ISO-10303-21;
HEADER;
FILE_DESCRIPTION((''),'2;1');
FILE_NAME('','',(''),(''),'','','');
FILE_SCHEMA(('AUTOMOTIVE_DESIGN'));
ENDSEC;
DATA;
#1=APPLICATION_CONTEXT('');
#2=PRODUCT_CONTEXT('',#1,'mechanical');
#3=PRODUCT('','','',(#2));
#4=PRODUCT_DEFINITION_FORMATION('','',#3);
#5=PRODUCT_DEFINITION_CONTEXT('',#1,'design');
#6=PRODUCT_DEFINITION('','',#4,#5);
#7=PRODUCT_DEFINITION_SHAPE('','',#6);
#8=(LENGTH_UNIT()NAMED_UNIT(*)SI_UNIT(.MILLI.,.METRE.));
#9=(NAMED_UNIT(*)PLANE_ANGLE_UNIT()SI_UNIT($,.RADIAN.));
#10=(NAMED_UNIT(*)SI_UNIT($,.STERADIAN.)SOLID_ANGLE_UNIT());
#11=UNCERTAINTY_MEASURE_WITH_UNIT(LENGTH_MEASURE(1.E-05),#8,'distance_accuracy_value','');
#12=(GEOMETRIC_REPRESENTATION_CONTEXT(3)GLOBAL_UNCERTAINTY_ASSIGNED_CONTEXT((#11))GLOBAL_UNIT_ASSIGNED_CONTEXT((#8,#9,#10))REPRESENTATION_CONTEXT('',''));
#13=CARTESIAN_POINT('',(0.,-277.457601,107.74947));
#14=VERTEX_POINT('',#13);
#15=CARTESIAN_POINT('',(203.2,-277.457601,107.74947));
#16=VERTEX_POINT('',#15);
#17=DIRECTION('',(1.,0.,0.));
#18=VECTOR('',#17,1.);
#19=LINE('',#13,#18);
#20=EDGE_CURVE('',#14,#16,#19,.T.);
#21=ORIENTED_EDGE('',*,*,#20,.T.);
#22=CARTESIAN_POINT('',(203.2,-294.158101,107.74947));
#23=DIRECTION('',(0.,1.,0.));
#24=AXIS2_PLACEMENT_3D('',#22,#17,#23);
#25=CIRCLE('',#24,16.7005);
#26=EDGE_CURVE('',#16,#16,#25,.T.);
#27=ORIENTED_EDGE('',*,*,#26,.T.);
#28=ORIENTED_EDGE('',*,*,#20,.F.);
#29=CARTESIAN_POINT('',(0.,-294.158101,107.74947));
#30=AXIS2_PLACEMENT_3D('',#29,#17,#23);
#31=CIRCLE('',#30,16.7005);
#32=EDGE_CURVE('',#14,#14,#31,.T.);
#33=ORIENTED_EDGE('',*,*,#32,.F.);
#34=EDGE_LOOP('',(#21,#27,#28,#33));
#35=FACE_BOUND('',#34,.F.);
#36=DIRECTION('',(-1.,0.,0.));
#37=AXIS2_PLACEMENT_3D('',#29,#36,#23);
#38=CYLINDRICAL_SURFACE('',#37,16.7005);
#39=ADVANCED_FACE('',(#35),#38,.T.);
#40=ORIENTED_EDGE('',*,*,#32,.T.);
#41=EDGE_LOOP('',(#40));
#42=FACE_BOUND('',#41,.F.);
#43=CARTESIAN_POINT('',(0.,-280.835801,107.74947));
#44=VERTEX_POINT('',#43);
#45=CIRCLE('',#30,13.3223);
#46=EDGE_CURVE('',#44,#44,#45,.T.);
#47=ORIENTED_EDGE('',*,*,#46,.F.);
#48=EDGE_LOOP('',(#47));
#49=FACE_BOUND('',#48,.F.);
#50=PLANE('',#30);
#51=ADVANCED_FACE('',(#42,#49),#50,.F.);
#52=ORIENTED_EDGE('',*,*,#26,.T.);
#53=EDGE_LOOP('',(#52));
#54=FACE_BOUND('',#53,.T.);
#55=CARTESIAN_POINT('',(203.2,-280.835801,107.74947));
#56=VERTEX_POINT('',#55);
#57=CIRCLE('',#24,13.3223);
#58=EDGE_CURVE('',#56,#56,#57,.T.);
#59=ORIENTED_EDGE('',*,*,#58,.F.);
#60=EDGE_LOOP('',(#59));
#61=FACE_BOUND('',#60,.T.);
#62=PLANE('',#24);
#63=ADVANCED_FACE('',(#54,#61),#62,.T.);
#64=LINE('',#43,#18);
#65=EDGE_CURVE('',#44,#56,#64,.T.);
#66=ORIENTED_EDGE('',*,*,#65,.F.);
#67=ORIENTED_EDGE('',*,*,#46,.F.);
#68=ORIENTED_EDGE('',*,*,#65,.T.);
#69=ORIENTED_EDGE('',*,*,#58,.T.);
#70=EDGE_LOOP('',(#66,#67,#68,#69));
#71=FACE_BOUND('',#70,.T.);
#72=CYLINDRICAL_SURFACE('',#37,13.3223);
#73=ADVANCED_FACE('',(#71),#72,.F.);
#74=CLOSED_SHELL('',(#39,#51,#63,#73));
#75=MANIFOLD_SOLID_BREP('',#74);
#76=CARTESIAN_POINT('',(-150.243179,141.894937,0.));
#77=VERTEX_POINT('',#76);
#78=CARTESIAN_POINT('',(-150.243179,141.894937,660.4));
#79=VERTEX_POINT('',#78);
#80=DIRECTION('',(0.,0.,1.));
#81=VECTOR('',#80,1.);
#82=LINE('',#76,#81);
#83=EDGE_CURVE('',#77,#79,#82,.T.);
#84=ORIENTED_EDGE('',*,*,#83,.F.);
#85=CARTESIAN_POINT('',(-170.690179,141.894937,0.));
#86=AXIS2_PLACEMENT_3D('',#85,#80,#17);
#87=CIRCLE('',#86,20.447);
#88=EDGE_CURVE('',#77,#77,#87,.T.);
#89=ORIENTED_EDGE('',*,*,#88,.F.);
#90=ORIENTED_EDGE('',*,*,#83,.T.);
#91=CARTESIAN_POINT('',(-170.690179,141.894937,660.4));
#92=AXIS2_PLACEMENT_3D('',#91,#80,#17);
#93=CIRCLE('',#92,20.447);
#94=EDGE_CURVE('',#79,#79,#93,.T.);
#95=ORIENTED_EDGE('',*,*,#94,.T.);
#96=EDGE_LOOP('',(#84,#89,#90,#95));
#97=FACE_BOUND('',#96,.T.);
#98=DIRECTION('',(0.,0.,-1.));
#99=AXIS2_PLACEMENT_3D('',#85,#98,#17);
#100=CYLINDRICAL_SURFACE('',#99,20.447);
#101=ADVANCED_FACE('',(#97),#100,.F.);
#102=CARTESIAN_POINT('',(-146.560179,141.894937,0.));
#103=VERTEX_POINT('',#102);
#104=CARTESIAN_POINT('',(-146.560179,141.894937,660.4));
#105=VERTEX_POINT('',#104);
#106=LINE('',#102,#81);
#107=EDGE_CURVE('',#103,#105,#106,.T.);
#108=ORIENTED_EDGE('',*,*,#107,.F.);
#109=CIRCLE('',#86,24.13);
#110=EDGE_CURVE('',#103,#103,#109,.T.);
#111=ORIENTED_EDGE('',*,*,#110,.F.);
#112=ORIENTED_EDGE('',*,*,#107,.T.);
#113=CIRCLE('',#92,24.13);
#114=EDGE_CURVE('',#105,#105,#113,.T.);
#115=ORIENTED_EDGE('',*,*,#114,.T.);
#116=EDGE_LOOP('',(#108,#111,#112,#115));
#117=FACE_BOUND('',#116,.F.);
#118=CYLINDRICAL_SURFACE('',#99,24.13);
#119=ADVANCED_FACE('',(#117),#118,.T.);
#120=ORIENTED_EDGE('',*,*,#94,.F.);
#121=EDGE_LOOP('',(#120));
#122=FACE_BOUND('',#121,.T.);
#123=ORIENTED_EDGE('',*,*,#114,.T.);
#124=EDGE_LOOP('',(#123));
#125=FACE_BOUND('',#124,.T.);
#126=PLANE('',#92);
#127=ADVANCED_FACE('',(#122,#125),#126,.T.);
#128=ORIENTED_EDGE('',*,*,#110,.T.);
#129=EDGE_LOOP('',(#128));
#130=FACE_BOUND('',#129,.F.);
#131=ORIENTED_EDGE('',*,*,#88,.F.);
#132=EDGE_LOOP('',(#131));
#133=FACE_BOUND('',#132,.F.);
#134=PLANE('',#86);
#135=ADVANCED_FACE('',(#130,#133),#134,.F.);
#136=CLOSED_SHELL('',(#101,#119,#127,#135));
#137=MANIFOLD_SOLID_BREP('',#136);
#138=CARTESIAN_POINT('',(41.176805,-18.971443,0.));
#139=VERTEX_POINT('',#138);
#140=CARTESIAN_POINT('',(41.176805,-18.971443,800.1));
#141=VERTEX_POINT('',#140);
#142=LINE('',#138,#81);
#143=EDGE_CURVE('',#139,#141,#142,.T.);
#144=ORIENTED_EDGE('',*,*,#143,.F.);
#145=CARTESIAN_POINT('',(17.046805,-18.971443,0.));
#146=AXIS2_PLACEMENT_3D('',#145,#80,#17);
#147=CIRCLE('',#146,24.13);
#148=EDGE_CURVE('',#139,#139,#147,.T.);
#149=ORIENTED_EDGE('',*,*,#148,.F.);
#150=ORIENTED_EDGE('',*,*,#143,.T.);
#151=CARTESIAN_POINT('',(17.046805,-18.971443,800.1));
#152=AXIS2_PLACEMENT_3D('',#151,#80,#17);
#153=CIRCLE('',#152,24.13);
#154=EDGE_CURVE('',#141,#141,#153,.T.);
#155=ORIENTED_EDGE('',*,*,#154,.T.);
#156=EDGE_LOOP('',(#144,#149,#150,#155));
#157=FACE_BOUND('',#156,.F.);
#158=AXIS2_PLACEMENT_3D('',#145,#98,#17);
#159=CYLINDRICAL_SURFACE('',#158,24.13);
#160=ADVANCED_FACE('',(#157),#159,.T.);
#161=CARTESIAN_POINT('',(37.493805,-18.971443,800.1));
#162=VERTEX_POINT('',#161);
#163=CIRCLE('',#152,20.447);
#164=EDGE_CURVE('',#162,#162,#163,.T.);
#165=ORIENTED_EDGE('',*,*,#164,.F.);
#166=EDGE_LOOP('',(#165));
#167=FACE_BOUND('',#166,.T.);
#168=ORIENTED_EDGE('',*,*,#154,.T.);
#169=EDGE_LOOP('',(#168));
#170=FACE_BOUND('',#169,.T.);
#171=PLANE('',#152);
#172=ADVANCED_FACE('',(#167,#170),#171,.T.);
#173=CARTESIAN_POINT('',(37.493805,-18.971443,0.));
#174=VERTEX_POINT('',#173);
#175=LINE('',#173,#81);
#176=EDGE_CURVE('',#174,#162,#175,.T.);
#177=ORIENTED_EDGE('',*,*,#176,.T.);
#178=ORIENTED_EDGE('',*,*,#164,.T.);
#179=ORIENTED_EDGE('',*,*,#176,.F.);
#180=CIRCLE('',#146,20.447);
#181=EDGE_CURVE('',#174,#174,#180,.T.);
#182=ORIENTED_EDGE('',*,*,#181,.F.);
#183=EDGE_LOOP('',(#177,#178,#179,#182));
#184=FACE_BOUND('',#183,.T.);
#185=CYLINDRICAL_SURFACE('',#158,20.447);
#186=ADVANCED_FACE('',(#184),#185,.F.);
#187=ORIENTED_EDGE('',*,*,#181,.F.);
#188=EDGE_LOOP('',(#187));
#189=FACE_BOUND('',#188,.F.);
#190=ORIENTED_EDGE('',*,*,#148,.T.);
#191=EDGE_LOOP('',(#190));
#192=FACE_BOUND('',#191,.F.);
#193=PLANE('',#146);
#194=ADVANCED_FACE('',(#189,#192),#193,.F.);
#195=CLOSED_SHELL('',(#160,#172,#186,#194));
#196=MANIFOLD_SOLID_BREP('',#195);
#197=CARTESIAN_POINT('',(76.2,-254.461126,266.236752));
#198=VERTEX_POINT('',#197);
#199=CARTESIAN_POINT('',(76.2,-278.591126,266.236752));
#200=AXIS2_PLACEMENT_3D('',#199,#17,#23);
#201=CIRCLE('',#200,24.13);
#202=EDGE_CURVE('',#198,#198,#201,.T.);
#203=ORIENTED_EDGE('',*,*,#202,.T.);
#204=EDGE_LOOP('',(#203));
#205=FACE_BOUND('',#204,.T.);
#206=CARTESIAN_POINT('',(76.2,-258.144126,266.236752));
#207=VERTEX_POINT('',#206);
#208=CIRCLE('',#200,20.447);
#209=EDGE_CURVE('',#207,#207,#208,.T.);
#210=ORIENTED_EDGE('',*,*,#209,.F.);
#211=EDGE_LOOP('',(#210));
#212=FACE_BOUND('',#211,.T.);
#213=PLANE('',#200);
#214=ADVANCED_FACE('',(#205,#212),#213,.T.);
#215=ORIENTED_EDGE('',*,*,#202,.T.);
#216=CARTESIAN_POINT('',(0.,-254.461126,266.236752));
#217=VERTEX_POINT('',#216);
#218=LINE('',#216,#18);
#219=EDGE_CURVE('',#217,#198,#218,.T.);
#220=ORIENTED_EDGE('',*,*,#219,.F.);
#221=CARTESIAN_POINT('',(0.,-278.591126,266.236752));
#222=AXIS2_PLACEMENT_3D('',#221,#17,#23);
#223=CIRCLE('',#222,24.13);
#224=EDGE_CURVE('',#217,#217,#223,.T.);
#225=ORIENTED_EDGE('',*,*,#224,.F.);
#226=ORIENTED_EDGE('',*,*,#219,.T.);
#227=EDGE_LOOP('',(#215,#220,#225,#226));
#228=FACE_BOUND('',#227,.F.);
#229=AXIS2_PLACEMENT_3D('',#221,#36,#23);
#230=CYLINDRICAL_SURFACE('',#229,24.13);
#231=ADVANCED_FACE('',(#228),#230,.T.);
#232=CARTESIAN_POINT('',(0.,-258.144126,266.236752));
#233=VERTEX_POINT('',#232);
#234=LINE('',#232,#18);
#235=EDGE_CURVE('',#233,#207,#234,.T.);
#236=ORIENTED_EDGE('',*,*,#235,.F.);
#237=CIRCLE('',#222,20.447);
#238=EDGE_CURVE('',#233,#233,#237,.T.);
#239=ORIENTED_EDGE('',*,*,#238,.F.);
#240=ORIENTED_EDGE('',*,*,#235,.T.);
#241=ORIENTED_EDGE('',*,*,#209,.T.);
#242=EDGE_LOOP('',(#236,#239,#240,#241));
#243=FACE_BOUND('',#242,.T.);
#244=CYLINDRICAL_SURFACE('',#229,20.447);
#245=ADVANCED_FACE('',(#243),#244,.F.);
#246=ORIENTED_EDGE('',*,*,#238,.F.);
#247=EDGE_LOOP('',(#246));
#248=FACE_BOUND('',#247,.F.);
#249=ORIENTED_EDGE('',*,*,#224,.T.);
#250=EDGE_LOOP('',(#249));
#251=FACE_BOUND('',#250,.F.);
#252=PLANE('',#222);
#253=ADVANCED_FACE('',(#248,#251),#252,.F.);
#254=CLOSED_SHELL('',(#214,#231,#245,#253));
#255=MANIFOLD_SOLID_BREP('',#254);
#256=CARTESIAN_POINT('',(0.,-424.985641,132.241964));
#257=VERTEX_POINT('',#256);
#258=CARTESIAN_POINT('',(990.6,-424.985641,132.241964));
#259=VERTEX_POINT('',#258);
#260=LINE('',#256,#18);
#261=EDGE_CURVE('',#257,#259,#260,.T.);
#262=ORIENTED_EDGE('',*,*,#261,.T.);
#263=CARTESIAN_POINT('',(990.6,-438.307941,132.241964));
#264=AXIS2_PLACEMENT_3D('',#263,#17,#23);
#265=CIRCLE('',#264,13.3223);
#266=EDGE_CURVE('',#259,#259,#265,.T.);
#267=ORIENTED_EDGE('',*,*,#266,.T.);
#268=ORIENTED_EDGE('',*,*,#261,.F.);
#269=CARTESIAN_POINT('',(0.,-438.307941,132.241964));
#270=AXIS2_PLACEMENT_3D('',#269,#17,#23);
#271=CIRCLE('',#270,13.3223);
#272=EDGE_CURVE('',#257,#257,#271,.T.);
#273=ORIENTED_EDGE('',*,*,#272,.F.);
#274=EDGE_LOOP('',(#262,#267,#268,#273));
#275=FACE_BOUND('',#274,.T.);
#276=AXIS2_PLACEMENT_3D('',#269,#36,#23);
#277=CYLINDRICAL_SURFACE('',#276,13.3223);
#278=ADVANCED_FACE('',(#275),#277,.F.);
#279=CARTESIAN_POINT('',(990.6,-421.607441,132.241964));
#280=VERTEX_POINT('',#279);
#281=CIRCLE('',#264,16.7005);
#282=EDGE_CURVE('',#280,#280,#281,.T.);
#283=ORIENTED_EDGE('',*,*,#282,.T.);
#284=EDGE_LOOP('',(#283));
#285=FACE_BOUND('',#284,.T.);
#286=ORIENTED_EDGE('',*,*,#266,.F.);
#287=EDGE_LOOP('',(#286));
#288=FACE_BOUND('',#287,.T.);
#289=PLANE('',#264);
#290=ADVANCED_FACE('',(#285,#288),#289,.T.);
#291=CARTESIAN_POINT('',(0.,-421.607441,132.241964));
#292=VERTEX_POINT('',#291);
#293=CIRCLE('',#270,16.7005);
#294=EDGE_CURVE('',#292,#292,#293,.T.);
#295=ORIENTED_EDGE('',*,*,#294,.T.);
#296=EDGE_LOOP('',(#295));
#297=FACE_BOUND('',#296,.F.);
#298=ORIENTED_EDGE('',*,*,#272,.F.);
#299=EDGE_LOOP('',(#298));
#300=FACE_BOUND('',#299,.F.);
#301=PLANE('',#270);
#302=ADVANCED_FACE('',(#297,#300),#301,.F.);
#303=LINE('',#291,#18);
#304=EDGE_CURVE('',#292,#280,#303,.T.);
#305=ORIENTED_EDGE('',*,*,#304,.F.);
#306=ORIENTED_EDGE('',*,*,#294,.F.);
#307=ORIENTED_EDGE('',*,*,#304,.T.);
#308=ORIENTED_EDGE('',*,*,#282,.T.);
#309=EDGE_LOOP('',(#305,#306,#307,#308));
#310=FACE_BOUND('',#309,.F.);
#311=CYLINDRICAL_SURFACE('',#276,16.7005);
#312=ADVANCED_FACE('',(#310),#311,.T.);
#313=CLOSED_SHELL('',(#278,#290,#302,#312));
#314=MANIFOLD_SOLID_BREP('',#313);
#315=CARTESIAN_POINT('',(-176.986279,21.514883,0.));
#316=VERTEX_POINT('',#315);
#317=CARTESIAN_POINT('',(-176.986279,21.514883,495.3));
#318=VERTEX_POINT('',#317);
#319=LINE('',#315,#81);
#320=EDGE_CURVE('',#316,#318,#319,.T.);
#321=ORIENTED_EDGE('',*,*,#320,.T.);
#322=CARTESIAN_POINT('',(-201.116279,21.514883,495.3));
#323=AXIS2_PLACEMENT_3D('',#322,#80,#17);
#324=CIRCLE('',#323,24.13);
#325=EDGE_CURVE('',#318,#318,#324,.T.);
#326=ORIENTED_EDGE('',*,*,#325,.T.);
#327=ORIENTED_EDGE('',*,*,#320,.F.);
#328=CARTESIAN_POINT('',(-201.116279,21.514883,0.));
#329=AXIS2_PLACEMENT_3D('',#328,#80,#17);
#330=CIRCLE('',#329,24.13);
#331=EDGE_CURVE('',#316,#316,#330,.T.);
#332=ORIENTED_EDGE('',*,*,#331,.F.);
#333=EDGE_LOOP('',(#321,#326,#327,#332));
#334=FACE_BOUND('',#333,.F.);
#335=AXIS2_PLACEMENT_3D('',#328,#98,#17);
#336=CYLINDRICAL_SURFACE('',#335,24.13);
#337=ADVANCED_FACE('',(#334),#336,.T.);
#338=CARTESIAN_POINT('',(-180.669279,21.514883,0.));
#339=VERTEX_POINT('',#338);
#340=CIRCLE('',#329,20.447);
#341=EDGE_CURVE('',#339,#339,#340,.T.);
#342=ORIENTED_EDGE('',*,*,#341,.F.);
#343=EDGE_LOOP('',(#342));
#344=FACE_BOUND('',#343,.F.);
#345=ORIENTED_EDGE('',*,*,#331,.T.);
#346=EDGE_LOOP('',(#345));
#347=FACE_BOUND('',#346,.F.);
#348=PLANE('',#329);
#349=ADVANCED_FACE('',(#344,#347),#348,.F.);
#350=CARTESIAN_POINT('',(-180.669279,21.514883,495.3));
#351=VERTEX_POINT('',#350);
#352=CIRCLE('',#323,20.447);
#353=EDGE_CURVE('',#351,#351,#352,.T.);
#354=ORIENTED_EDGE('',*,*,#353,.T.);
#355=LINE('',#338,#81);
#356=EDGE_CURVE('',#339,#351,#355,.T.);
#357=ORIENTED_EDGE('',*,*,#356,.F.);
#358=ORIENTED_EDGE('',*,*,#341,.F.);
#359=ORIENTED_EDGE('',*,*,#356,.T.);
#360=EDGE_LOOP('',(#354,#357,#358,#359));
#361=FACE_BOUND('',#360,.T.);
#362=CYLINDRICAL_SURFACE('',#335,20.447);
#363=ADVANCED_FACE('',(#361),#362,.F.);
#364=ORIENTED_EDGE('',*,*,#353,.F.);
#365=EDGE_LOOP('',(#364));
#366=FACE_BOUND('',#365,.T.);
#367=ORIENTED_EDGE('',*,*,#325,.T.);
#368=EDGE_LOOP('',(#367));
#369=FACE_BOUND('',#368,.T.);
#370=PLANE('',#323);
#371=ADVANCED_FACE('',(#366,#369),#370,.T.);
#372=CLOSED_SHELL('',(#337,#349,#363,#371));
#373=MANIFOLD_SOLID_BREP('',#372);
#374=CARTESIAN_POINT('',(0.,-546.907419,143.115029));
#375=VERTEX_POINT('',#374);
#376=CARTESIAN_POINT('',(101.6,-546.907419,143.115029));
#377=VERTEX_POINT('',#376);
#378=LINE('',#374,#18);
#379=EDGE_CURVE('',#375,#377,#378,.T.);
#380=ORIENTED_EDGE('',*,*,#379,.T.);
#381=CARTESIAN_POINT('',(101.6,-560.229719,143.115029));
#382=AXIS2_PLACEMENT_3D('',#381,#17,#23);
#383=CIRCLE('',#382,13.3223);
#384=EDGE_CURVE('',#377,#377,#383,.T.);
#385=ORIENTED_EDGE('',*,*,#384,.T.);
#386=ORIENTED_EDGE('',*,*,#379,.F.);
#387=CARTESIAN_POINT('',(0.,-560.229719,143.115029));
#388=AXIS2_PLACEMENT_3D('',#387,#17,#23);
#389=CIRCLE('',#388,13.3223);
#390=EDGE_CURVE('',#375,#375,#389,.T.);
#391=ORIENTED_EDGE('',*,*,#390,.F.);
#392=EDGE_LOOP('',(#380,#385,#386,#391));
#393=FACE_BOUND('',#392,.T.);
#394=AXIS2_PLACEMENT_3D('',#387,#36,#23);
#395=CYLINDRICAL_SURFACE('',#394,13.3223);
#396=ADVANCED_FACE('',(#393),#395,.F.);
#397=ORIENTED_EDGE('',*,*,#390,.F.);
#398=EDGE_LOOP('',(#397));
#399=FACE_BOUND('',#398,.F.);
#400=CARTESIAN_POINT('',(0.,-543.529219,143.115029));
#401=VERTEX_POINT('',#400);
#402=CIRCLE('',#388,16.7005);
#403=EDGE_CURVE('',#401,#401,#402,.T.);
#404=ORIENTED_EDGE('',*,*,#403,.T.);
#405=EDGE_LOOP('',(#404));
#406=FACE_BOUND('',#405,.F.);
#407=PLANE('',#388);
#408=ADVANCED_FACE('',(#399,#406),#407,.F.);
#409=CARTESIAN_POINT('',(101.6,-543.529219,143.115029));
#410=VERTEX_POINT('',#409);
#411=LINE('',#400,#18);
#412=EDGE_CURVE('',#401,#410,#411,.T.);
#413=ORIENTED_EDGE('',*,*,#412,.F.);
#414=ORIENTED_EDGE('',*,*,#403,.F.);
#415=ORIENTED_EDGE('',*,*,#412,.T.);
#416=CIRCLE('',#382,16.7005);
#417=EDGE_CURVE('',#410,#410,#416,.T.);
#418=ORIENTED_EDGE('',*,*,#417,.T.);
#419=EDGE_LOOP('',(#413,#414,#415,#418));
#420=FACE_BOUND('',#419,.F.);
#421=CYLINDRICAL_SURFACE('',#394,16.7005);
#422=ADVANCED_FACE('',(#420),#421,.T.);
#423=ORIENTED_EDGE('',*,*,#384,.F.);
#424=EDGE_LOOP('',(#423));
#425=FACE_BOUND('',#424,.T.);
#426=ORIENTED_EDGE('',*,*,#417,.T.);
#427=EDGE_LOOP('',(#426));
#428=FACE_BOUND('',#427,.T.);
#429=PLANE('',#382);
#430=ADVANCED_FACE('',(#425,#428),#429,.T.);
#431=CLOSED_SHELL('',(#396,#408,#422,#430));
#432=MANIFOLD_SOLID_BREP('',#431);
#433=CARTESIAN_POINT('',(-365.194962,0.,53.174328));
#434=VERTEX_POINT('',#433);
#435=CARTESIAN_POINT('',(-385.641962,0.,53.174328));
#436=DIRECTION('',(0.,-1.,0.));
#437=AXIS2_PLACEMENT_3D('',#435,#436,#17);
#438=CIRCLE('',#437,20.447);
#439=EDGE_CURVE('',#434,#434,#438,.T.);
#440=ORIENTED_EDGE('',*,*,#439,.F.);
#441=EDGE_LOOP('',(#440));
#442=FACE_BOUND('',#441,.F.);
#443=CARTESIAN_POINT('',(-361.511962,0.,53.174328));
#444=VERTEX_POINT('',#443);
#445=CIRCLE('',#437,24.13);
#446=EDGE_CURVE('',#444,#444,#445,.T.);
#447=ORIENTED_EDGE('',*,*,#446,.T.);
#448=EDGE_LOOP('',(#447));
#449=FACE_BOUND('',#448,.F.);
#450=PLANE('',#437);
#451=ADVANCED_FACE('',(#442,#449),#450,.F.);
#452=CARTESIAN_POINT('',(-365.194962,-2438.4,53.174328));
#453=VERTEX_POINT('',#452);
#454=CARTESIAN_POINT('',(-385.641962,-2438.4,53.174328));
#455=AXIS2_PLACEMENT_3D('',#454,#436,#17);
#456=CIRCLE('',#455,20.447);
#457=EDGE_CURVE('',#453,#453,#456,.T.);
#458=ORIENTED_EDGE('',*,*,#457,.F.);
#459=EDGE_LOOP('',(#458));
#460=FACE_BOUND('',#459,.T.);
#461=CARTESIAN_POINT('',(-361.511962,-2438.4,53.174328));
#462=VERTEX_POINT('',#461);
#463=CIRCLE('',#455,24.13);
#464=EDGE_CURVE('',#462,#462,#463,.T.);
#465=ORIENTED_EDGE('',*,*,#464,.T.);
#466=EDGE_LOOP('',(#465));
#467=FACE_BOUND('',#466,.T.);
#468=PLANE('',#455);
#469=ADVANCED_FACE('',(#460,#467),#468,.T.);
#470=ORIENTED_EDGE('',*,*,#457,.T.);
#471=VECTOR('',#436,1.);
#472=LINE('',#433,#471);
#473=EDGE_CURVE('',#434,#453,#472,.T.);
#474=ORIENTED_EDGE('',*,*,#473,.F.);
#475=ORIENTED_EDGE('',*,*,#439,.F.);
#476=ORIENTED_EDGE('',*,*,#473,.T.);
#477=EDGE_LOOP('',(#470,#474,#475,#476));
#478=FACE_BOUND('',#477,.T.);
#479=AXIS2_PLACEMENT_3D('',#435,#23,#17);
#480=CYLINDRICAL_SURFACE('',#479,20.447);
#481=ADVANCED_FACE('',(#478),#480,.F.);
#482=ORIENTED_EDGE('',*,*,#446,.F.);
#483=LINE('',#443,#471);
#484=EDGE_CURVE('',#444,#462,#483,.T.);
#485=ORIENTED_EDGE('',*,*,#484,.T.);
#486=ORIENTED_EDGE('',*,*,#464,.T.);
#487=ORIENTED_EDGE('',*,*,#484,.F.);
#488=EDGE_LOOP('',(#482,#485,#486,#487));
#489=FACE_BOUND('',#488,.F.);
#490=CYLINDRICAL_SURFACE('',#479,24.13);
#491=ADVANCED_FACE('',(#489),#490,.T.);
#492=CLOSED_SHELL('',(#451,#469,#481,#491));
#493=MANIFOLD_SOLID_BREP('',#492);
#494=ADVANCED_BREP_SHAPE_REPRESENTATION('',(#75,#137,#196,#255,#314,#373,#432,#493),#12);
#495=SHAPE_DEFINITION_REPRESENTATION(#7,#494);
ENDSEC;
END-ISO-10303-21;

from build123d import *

# Parameters (mm, degrees)
F0_R      = 24.13
F0_R_2    = 20.447
F1_DEPTH  = 800.1
F2_R      = 24.13
F2_R_2    = 20.447
F3_DEPTH  = 660.4
F4_R      = 24.13
F4_R_2    = 20.447
F5_DEPTH  = 495.3
F6_R      = 24.13
F6_R_2    = 20.447
F7_DEPTH  = 76.2
F8_R      = 16.7005
F8_R_2    = 13.3223
F9_DEPTH  = 203.2
F10_R     = 16.7005
F10_R_2   = 13.3223
F11_DEPTH = 990.6
F12_R     = 16.7005
F12_R_2   = 13.3223
F13_DEPTH = 101.6
F14_R     = 24.13
F14_R_2   = 20.447
F15_DEPTH = 2438.4


with BuildPart() as f1:
    # F0 (on Top) → F1 (new body)
    with BuildSketch(Plane.XY):
        with Locations((17.046805, -18.971443)):
            Circle(F0_R)
        with Locations((17.046805, -18.971443)):
            Circle(F0_R_2, mode=Mode.SUBTRACT)
    extrude(amount=F1_DEPTH)


with BuildPart() as f3:
    # F2 (on Top) → F3 (new body)
    with BuildSketch(Plane.XY):
        with Locations((-170.690179, 141.894937)):
            Circle(F2_R)
        with Locations((-170.690179, 141.894937)):
            Circle(F2_R_2, mode=Mode.SUBTRACT)
    extrude(amount=F3_DEPTH)


with BuildPart() as f5:
    # F4 (on Top) → F5 (new body)
    with BuildSketch(Plane.XY):
        with Locations((-201.116279, 21.514883)):
            Circle(F4_R)
        with Locations((-201.116279, 21.514883)):
            Circle(F4_R_2, mode=Mode.SUBTRACT)
    extrude(amount=F5_DEPTH)


with BuildPart() as f7:
    # F6 (on Right) → F7 (new body)
    with BuildSketch(Plane.YZ):
        with Locations((-278.591126, 266.236752)):
            Circle(F6_R)
        with Locations((-278.591126, 266.236752)):
            Circle(F6_R_2, mode=Mode.SUBTRACT)
    extrude(amount=F7_DEPTH)


with BuildPart() as f9:
    # F8 (on Right) → F9 (new body)
    with BuildSketch(Plane.YZ):
        with Locations((-294.158101, 107.74947)):
            Circle(F8_R)
        with Locations((-294.158101, 107.74947)):
            Circle(F8_R_2, mode=Mode.SUBTRACT)
    extrude(amount=F9_DEPTH)


with BuildPart() as f11:
    # F10 (on Right) → F11 (new body)
    with BuildSketch(Plane.YZ):
        with Locations((-438.307941, 132.241964)):
            Circle(F10_R)
        with Locations((-438.307941, 132.241964)):
            Circle(F10_R_2, mode=Mode.SUBTRACT)
    extrude(amount=F11_DEPTH)


with BuildPart() as f13:
    # F12 (on Right) → F13 (new body)
    with BuildSketch(Plane.YZ):
        with Locations((-560.229719, 143.115029)):
            Circle(F12_R)
        with Locations((-560.229719, 143.115029)):
            Circle(F12_R_2, mode=Mode.SUBTRACT)
    extrude(amount=F13_DEPTH)


with BuildPart() as f15:
    # F14 (on Front) → F15 (new body)
    with BuildSketch(Plane.XZ):
        with Locations((-385.641962, 53.174328)):
            Circle(F14_R)
        with Locations((-385.641962, 53.174328)):
            Circle(F14_R_2, mode=Mode.SUBTRACT)
    extrude(amount=F15_DEPTH)


solid = Compound([f1.part, f3.part, f5.part, f7.part, f9.part, f11.part, f13.part, f15.part])
